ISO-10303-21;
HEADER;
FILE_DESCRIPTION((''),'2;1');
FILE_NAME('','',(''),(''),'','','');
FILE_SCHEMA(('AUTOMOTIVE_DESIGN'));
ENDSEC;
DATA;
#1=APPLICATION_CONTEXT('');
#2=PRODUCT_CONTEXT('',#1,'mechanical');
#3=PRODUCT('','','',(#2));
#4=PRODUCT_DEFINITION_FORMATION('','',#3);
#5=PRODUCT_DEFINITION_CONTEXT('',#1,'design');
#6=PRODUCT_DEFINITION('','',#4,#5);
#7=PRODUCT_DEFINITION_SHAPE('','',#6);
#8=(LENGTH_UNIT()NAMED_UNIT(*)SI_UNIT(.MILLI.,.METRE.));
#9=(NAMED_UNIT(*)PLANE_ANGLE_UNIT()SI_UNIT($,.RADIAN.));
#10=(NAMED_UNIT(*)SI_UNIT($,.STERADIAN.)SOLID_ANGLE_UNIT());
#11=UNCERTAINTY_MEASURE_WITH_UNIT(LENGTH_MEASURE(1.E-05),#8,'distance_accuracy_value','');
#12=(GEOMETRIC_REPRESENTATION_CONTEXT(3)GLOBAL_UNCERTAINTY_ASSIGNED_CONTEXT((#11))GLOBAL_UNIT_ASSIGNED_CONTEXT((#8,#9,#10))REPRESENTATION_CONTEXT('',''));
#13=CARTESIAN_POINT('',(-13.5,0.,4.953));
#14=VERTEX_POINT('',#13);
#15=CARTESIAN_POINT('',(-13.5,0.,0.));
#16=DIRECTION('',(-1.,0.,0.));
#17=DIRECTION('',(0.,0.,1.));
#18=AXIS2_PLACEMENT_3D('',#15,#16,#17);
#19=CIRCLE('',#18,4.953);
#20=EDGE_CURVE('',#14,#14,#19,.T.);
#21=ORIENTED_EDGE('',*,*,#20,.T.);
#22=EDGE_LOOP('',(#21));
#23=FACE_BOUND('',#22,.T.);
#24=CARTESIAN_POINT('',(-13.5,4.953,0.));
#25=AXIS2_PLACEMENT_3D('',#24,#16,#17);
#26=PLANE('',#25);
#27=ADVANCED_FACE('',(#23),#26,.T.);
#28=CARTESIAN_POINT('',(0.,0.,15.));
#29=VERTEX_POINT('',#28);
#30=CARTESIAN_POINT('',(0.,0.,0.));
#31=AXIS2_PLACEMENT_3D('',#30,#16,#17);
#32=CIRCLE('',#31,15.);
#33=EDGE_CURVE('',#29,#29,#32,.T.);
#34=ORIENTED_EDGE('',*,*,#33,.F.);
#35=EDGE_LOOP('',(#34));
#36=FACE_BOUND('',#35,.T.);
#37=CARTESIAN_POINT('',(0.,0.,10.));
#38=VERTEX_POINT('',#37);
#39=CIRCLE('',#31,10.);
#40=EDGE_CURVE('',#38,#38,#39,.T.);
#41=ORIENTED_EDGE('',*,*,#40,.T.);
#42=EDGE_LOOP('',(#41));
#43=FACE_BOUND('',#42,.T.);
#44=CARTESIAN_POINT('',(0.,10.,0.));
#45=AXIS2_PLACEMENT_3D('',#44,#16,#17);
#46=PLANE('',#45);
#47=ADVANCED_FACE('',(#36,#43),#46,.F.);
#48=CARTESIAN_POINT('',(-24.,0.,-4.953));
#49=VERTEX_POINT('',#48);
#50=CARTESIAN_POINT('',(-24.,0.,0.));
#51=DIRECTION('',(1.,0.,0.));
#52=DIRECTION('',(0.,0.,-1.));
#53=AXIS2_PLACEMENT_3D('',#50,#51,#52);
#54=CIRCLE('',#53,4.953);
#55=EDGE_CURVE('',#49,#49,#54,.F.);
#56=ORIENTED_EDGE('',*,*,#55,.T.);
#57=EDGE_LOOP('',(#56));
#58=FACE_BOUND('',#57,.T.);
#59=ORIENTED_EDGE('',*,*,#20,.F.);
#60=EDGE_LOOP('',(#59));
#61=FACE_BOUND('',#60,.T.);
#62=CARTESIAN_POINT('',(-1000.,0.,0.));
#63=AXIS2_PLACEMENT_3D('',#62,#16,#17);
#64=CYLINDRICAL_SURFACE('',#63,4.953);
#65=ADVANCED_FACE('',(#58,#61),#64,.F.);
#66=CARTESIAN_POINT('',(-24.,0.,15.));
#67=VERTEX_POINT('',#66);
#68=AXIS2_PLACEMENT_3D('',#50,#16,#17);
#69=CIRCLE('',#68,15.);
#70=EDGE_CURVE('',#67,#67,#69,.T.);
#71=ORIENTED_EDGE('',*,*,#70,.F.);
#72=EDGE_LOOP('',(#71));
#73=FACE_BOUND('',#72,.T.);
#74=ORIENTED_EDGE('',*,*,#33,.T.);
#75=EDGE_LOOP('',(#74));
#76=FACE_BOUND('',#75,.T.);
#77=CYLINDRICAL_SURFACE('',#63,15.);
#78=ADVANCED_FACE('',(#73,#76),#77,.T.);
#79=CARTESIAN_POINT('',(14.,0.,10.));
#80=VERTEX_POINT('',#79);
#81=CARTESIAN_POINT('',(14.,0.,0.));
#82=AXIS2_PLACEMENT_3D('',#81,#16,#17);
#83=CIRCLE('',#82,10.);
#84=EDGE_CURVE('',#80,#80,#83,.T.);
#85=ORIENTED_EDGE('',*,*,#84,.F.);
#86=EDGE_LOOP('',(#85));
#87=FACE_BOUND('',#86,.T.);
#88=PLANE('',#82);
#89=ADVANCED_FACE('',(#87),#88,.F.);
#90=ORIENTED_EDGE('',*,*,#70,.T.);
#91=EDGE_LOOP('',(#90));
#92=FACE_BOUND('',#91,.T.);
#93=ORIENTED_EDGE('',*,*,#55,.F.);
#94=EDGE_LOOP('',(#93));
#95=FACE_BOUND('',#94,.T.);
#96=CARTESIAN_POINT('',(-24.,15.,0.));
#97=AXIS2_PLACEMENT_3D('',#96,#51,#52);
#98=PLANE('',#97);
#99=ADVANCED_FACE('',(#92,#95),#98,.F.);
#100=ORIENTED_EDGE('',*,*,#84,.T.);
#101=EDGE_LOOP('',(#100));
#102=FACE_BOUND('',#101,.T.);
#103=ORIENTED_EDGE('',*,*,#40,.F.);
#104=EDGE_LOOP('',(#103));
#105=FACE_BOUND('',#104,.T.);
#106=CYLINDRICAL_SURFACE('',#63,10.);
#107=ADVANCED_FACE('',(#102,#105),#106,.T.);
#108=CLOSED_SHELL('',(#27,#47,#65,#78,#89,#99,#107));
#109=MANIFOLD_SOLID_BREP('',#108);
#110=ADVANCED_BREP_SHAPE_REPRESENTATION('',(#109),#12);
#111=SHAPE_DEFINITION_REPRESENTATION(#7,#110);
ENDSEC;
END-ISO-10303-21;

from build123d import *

# Parameters (mm, degrees)
SOCKET_1_SKETCH_W = 11.5
SOCKET_1_SKETCH_H = 4.953


with BuildPart() as part:
    # Reg_Outlet_Upper Sketch → Reg_Outlet_Upper (revolve)
    with BuildSketch(Plane.XY):
        Polygon((14, 0), (14, 10), (0, 10), (0, 15), (-24, 15), (-24, 0), align=None)
    revolve(axis=Axis((-1000, 0, 0), (1, 0, 0)))

    # Socket 1 Sketch → Socket 1 (revolve, cut)
    with BuildSketch(Plane.XY):
        with Locations((-19.25, 2.4765)):
            Rectangle(SOCKET_1_SKETCH_W, SOCKET_1_SKETCH_H)
    revolve(axis=Axis((-1000, 0, 0), (1, 0, 0)), mode=Mode.SUBTRACT)


solid = part.part
